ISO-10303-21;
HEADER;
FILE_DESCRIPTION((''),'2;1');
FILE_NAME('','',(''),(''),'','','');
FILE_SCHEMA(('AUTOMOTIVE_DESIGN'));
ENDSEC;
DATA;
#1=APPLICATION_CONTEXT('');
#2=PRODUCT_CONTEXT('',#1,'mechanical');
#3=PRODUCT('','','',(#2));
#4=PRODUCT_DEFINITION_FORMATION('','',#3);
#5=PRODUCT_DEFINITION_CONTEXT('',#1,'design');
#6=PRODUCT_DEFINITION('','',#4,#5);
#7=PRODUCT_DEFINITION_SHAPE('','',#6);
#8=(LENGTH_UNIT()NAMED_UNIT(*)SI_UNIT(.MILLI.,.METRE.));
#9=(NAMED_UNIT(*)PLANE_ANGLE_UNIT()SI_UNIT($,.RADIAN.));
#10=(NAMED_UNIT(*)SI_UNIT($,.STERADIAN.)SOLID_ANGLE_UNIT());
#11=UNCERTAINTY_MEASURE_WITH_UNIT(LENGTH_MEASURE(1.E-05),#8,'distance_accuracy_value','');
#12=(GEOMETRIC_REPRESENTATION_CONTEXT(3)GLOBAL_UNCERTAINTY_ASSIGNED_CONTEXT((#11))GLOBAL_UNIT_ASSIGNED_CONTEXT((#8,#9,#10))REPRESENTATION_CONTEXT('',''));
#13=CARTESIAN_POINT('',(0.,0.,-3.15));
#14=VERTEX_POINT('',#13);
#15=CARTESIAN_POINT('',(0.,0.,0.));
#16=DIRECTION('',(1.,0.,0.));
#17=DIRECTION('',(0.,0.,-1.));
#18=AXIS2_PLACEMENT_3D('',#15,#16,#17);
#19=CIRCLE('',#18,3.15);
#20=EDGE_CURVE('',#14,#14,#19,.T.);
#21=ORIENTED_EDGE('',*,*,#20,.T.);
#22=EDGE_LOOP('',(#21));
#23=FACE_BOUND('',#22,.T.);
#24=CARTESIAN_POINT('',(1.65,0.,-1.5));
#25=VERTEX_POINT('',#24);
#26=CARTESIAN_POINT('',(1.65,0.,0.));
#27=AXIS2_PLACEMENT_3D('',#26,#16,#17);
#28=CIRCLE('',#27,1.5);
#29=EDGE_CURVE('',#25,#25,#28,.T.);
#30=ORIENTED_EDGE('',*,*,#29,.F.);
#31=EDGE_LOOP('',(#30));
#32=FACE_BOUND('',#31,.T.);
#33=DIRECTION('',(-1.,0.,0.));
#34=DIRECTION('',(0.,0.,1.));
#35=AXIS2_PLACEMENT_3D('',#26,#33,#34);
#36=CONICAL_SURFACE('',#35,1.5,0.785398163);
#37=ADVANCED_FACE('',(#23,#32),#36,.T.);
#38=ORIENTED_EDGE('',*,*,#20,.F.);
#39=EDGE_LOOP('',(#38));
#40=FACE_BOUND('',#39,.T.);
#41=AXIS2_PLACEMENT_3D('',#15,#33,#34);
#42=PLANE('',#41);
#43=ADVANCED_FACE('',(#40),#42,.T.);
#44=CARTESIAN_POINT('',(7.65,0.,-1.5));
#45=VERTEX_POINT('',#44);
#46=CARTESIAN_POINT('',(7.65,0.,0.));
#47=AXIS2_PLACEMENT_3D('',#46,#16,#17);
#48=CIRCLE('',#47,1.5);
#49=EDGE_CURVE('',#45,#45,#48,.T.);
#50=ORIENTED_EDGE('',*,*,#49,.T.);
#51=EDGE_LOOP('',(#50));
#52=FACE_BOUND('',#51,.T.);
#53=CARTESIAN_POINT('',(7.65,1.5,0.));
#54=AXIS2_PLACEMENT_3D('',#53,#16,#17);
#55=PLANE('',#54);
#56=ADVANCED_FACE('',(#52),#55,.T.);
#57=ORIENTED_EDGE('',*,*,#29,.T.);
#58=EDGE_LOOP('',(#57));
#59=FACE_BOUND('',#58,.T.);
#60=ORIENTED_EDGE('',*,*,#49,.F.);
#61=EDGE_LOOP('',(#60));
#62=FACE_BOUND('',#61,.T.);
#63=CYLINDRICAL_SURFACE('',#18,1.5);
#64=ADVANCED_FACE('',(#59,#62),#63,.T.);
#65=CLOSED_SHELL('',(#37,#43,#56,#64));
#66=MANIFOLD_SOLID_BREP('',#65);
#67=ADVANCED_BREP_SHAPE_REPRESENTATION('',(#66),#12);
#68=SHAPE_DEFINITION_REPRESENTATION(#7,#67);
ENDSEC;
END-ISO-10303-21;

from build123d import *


with BuildPart() as part:
    # Эскиз1 → Повернуть1 (revolve)
    with BuildSketch(Plane.XY, mode=Mode.PRIVATE) as revolve_1_sk:
        Polygon((0, 0), (0, 3.15), (1.65, 1.5), (7.65, 1.5), (7.65, 0), align=None)
    revolve(revolve_1_sk.sketch.rotate(Axis((0, 0, 0), (-1, 0, 0)), 90), axis=Axis((0, 0, 0), (-1, 0, 0)))


solid = part.part
